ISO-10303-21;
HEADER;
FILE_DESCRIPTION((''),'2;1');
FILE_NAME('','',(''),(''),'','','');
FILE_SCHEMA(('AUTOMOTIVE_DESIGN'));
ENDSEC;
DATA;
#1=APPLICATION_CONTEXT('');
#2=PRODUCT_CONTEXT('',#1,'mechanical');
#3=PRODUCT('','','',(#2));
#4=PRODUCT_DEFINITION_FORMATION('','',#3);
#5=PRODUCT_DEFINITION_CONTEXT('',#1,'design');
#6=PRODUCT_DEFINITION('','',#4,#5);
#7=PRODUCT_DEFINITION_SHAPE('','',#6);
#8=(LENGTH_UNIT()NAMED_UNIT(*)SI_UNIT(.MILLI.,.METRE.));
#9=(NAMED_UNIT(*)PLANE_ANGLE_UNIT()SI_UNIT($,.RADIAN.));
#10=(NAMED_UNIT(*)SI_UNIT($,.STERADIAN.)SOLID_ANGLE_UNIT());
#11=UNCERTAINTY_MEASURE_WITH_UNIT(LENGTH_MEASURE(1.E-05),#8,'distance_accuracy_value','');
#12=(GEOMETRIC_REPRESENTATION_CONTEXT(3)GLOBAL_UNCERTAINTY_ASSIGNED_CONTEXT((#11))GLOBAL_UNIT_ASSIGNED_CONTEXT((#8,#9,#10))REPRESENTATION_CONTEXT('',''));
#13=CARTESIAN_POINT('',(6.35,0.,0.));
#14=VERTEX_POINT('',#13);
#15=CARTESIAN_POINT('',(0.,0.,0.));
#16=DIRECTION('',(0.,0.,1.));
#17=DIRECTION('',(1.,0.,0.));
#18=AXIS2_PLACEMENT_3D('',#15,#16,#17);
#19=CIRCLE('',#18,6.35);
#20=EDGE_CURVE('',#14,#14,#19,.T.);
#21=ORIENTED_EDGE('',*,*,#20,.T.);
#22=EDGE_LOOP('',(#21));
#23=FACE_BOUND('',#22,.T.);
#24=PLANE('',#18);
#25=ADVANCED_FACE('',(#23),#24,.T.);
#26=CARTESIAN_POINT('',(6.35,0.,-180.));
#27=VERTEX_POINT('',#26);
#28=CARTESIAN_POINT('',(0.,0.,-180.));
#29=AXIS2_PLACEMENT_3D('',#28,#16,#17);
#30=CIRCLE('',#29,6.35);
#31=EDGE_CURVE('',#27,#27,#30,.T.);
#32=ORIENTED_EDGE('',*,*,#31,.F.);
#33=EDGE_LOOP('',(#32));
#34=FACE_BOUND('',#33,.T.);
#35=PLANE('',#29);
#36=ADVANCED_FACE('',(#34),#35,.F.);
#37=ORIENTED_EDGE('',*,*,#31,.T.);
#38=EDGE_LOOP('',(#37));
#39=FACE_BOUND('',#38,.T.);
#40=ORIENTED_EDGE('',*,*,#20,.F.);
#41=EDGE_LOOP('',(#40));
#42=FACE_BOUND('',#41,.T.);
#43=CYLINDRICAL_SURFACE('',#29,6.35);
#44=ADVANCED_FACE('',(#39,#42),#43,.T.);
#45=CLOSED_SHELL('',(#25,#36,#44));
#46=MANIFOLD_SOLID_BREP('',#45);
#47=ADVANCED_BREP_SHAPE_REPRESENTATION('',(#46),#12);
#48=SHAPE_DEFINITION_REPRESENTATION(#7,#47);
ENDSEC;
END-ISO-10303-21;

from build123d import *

# Parameters (mm, degrees)
CROQUIS1_R = 6.35


with BuildPart() as part:
    # Barrer1: sweep along a path in Croquis2
    with BuildLine(Plane(origin=(0, 0, 0), x_dir=(0, 0, -1), z_dir=(1, 0, 0))) as barrer1_path:
        Line((0, 0), (180, 0))
    # Croquis1 → Barrer1 (sweep)
    with BuildSketch(Plane.XY):
        Circle(CROQUIS1_R)
    sweep(path=barrer1_path.line)


solid = part.part
